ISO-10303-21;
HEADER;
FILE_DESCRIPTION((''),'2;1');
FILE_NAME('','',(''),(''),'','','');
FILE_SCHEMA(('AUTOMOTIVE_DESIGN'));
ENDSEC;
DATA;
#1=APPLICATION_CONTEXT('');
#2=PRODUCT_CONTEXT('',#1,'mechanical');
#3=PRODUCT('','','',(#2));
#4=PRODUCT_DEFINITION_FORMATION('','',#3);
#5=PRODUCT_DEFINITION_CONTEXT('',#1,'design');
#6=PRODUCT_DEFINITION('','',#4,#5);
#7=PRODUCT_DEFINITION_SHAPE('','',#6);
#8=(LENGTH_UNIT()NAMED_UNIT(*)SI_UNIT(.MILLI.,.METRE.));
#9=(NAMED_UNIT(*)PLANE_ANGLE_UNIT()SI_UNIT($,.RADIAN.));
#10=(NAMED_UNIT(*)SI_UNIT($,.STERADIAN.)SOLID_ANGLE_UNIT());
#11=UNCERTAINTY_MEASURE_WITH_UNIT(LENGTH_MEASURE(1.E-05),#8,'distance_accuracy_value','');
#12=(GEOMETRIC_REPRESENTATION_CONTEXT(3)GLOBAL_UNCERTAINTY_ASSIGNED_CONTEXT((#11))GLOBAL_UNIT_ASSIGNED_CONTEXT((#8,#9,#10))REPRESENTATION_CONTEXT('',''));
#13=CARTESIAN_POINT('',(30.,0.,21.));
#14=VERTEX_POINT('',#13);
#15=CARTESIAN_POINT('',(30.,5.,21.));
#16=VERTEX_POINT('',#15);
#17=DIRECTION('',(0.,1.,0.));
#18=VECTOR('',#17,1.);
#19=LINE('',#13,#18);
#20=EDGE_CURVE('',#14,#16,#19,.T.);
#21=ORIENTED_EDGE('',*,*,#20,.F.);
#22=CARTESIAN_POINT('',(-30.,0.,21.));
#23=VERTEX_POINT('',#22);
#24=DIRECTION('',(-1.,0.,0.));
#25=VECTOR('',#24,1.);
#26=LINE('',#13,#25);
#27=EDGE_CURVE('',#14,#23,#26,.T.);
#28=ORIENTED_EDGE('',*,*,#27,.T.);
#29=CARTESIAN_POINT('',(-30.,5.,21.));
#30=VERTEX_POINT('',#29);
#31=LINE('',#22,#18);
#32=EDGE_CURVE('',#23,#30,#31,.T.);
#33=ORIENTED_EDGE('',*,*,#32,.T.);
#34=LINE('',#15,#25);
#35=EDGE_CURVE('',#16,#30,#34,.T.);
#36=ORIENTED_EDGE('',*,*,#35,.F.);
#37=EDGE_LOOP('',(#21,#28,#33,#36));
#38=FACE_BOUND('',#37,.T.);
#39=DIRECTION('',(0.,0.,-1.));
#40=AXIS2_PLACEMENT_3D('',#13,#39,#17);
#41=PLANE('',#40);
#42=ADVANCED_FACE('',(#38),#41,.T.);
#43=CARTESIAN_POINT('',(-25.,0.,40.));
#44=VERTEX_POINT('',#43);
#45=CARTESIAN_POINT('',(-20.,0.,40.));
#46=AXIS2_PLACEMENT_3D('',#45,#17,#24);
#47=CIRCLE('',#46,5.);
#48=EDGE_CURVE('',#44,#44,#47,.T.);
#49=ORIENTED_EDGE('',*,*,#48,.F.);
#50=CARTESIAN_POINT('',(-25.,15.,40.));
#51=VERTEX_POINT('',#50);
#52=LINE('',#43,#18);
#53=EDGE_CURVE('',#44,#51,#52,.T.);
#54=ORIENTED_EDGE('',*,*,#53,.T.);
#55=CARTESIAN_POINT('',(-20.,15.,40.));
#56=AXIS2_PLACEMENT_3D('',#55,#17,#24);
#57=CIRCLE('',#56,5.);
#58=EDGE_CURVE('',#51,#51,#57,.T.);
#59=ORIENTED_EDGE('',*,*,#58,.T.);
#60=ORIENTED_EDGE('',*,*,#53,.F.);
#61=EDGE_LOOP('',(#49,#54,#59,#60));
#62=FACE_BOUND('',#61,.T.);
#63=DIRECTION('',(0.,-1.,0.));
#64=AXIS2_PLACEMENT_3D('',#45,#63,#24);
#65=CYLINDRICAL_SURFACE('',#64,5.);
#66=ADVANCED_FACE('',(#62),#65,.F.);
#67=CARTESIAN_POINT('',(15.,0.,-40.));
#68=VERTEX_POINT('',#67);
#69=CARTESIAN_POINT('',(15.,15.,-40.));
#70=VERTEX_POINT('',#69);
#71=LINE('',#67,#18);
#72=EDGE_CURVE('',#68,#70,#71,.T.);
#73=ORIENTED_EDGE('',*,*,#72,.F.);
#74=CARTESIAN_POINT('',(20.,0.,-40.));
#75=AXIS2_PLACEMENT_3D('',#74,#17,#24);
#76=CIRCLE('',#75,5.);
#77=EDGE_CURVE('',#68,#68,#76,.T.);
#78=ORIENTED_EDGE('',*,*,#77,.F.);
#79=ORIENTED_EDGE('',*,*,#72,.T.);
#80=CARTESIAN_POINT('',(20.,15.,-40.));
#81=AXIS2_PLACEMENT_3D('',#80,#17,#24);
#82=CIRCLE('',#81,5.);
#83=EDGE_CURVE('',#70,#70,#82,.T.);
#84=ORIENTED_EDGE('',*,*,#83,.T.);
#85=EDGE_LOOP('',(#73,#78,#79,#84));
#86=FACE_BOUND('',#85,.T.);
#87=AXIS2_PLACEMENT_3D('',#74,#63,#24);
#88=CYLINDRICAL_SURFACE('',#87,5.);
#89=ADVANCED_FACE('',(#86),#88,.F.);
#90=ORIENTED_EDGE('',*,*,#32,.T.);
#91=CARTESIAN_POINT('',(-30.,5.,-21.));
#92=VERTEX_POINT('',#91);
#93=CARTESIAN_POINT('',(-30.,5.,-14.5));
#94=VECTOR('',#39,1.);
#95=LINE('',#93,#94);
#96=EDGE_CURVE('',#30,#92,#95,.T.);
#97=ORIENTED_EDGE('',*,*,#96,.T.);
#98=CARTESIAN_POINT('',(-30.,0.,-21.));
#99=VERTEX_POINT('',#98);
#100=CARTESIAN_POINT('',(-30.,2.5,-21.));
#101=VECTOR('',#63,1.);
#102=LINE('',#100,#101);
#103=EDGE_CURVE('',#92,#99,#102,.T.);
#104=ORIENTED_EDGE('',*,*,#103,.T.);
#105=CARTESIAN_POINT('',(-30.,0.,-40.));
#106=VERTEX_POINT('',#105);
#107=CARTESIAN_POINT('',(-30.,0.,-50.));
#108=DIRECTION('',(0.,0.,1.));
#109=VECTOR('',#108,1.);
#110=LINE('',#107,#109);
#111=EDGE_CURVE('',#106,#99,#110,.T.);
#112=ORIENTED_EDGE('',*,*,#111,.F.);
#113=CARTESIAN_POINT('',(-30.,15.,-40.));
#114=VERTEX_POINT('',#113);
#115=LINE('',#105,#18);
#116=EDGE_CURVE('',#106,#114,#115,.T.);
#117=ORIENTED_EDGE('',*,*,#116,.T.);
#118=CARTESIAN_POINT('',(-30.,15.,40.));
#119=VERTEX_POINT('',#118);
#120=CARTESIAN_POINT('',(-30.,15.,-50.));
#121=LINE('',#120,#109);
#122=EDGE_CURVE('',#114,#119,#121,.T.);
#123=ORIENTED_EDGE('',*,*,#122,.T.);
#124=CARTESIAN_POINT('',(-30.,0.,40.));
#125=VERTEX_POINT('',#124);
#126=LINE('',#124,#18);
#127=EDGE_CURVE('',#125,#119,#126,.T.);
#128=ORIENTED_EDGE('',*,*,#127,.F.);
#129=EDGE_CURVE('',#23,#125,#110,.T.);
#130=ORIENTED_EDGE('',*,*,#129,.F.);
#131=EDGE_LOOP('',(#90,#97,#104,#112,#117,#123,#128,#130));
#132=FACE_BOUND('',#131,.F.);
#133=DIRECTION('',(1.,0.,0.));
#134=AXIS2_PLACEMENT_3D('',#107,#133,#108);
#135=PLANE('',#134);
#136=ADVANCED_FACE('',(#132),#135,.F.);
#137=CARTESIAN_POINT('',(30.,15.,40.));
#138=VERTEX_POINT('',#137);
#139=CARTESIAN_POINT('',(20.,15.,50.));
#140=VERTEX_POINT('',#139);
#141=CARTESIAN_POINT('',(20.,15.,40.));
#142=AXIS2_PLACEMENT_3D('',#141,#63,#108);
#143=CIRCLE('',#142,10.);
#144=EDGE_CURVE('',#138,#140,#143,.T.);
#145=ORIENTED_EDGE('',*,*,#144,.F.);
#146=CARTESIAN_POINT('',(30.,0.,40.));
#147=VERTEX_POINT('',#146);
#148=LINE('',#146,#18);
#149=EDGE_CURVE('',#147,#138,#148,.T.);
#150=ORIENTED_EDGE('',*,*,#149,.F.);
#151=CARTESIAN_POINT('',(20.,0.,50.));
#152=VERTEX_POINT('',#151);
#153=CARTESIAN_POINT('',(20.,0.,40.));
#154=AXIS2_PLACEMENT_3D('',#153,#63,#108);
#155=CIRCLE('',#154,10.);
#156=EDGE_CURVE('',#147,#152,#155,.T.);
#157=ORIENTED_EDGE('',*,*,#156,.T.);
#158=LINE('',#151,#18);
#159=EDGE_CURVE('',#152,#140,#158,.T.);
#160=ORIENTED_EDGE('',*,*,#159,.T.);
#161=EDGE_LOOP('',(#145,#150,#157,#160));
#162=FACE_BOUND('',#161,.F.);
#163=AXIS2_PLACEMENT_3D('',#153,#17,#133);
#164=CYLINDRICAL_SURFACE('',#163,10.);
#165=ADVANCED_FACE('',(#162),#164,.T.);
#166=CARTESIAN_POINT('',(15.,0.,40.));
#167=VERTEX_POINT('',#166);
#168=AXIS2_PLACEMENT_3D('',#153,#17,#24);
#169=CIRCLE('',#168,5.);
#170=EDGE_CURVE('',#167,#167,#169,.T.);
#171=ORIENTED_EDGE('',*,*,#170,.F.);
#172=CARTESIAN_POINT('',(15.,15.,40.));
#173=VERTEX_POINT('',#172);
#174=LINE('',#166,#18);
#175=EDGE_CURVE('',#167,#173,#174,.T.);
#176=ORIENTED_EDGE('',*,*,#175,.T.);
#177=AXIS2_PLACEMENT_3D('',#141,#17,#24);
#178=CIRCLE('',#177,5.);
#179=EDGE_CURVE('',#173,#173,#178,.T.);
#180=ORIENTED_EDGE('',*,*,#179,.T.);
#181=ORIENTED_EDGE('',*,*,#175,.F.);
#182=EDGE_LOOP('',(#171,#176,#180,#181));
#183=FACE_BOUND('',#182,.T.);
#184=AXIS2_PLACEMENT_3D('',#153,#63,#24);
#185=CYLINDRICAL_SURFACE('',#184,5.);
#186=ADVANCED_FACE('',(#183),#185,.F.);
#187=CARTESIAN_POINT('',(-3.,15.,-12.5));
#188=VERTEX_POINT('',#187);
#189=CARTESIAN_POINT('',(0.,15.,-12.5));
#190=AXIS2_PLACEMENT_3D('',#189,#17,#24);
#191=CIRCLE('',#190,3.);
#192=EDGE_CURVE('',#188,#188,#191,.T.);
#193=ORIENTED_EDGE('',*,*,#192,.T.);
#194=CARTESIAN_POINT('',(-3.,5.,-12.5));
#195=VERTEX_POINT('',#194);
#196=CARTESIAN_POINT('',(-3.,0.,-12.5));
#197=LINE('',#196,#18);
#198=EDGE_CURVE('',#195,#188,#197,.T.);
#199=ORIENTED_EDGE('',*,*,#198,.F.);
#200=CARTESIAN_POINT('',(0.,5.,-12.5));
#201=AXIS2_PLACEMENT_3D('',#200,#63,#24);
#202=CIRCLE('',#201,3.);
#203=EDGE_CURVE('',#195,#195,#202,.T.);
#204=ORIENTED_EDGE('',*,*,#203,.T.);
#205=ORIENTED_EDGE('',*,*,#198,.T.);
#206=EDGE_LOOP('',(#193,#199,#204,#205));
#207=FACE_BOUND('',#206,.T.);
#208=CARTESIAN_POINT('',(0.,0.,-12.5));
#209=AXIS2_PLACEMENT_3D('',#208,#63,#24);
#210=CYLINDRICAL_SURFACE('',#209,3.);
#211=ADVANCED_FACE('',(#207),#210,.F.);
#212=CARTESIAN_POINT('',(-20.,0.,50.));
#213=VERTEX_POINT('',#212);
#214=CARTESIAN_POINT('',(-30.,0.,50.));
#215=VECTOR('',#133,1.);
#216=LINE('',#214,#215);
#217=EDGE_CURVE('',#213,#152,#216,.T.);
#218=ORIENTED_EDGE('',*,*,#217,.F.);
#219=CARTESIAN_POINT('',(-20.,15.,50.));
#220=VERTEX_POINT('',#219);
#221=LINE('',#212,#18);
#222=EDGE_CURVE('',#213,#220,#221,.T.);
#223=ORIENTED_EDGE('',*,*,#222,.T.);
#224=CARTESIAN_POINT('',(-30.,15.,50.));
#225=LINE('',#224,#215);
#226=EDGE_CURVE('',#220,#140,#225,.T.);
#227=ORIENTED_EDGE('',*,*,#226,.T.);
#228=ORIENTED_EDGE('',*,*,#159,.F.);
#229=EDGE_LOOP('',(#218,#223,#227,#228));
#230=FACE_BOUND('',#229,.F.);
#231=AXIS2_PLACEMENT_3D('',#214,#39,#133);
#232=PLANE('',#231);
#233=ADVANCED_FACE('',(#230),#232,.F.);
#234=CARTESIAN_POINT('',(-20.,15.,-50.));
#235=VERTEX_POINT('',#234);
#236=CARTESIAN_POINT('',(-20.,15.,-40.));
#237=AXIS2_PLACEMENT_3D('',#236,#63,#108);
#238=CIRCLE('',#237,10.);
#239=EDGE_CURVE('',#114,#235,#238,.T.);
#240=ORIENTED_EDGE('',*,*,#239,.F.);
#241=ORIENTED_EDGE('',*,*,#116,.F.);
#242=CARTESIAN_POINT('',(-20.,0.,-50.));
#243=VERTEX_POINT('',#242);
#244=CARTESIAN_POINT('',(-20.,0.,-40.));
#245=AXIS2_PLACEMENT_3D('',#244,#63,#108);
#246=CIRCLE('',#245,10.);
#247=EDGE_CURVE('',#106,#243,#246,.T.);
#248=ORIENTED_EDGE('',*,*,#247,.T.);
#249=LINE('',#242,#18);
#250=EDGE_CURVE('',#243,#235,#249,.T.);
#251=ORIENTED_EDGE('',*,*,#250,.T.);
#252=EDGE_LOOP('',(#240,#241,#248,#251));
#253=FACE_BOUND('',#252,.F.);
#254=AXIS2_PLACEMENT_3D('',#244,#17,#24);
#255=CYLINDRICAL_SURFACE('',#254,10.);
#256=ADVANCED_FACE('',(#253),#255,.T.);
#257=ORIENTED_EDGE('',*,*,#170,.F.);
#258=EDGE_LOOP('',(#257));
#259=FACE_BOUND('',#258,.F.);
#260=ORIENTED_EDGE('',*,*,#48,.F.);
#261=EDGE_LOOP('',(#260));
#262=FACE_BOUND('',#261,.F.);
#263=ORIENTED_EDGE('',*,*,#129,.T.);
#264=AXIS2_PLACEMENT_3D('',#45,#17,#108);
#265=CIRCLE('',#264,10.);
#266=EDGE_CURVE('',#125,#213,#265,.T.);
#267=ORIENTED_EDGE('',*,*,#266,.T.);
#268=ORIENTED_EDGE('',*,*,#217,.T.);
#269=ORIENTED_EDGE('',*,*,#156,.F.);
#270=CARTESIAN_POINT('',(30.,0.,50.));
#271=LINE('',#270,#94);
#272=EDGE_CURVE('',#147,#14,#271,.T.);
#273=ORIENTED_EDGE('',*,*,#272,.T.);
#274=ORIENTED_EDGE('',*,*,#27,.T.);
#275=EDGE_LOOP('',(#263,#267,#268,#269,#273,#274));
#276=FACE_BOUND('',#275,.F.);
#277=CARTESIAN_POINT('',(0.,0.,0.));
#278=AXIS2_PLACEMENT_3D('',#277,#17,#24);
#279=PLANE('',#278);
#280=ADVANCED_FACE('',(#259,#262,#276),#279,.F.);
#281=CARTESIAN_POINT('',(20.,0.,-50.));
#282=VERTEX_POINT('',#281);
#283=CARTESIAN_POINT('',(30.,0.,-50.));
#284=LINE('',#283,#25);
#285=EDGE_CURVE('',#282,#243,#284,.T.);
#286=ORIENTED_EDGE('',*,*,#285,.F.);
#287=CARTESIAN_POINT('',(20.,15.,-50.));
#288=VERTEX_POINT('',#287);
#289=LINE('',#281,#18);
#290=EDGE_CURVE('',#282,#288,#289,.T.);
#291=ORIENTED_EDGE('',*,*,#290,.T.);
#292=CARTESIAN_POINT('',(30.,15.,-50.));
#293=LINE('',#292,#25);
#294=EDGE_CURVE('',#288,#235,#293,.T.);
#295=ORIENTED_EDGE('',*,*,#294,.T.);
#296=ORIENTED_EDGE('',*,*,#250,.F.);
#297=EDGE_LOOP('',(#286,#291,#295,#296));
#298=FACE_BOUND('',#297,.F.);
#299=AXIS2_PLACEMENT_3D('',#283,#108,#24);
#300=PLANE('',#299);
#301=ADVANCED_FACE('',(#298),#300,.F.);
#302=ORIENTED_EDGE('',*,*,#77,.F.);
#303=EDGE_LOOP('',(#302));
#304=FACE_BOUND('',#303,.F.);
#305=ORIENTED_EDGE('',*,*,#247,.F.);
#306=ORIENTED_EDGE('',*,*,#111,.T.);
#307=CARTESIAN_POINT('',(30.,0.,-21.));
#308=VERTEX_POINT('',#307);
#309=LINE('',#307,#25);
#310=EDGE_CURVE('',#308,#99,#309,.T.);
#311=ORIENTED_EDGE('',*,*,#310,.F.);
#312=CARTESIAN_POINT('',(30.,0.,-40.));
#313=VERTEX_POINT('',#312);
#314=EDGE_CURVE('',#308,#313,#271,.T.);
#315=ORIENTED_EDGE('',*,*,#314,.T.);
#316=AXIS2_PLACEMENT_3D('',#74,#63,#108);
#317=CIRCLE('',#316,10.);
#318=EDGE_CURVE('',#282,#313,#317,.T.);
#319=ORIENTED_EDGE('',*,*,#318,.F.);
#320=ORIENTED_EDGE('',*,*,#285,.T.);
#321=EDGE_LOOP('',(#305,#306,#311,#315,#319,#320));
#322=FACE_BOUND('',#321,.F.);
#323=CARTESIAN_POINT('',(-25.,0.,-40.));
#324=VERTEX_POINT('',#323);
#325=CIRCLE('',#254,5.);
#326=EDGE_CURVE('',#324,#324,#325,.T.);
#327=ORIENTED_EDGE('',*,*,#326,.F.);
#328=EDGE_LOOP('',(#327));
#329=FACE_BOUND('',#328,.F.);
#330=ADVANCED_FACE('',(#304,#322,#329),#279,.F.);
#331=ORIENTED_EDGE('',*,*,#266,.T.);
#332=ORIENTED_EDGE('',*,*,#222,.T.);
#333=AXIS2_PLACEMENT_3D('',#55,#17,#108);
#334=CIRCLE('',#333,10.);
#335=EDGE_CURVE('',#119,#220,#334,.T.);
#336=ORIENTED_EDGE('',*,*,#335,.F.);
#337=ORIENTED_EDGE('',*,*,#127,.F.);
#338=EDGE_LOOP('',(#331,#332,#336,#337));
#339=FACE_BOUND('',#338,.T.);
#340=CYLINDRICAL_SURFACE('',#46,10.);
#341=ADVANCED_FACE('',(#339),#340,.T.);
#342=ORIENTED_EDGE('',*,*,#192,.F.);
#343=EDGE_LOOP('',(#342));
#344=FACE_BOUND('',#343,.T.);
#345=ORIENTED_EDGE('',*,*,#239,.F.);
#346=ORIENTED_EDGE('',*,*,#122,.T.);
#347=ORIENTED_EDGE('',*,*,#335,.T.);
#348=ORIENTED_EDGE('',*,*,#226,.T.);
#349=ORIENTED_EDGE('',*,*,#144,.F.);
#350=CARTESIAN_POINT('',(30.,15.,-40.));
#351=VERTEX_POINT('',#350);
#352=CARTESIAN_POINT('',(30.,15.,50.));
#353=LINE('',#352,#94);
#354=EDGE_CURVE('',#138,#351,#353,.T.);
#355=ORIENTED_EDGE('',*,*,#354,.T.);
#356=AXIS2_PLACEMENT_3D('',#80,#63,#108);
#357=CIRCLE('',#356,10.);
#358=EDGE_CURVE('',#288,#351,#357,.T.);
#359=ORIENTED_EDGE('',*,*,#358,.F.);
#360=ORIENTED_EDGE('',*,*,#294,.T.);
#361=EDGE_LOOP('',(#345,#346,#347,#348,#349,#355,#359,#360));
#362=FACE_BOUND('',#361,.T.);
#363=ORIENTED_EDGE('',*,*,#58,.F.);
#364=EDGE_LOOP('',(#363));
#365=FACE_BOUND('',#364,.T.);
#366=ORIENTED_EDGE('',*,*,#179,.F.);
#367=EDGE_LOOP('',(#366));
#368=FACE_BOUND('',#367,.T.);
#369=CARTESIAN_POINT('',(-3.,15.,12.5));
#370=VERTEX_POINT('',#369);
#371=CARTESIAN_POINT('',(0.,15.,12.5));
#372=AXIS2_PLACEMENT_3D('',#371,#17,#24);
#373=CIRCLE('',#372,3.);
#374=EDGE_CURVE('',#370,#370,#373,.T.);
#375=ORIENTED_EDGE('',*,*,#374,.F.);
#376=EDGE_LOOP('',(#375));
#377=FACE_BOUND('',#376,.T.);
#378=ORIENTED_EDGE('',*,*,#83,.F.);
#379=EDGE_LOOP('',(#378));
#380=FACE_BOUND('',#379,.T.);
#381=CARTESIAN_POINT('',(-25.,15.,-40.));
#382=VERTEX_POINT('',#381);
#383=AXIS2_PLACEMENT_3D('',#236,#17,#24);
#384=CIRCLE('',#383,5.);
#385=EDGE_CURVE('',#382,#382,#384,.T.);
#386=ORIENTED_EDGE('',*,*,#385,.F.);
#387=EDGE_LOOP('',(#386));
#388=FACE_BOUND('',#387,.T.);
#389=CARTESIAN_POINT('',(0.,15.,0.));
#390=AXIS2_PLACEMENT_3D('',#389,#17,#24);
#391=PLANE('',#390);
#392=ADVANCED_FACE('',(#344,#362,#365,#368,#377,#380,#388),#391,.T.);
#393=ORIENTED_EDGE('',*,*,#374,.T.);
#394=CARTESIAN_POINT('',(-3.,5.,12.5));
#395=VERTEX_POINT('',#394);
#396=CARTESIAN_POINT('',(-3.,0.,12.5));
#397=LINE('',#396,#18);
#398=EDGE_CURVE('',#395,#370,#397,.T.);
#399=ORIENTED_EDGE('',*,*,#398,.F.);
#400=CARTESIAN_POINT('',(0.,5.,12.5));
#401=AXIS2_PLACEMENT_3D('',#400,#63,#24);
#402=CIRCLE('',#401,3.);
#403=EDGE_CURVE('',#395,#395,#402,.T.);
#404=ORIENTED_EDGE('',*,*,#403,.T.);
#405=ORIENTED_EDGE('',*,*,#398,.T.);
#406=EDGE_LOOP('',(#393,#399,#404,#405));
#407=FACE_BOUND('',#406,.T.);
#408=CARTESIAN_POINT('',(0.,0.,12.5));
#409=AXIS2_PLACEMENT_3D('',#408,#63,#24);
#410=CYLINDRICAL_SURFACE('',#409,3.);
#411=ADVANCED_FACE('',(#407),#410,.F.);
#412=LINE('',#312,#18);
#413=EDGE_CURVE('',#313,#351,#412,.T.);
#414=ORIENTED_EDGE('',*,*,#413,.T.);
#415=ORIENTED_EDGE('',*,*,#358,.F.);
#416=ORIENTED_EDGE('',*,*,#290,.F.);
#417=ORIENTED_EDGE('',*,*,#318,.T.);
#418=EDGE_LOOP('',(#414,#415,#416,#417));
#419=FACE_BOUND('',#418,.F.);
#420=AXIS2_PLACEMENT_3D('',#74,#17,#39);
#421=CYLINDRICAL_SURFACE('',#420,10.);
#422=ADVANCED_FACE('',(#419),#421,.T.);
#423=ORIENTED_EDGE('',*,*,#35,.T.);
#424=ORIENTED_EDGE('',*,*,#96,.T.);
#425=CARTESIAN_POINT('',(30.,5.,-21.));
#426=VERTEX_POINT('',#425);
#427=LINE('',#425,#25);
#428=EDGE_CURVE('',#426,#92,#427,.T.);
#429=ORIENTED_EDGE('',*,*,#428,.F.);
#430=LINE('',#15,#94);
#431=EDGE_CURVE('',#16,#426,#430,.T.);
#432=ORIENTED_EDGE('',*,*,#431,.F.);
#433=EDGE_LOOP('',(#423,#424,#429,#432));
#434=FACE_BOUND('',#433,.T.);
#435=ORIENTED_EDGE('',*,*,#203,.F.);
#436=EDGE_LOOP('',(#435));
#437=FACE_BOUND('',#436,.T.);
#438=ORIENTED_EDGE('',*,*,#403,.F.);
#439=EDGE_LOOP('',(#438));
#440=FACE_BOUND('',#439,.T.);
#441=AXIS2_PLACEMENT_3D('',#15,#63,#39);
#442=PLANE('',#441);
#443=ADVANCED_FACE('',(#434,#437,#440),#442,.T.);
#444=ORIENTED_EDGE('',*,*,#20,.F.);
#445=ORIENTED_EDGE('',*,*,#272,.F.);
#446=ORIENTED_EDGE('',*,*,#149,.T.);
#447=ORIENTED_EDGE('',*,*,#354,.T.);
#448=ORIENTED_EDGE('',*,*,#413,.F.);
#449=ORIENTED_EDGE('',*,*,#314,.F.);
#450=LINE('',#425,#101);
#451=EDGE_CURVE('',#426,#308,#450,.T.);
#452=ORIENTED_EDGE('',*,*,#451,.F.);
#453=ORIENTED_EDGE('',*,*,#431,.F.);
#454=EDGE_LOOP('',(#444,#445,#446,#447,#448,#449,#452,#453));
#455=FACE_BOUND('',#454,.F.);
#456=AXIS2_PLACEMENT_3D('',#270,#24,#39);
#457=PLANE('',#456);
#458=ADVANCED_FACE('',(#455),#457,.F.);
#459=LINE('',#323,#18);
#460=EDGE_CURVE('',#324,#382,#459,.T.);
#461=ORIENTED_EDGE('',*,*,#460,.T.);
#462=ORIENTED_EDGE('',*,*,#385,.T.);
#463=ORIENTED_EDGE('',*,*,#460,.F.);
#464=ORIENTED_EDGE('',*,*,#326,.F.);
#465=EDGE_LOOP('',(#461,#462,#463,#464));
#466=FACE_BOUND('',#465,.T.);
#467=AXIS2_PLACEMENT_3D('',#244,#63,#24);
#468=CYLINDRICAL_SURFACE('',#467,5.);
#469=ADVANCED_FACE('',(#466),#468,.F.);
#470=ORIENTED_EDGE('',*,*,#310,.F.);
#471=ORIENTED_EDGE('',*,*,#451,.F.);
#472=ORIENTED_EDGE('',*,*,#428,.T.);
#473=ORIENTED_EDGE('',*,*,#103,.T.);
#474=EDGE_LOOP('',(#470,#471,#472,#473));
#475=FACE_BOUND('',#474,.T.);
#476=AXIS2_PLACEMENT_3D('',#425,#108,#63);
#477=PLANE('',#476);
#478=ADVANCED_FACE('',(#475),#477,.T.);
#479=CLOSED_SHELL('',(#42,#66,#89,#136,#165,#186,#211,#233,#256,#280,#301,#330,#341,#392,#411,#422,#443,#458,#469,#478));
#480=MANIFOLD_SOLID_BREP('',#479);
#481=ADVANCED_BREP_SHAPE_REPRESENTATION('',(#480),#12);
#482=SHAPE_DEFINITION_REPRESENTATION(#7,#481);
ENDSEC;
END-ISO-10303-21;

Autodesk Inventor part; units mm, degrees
ref_plane "YZ Plane" through (0, 0, 0) normal (1, 0, 0) x (0, 1, 0)
ref_plane "XZ Plane" through (0, 0, 0) normal (0, 1, 0) x (-1, 0, 0)
ref_plane "XY Plane" through (0, 0, 0) normal (0, 0, 1) x (1, 0, 0)
sketch "Sketch1" plane through (0, 0, 0) normal (0, 1, 0) x (-1, 0, 0)
  line L0 (30, 50) -> (-30, 50)
  line L1 (-30, 50) -> (-30, -50)
  line L2 (-30, -50) -> (30, -50)
  line L3 (30, -50) -> (30, 50)
  line L4 (30, 0) -> (-30, 0) construction
  line L5 (0, 50) -> (0, -50) construction
  circle A0 centre (20, 40) radius 5
  circle A1 centre (-20, 40) radius 5
  circle A2 centre (20, -40) radius 5
  circle A3 centre (-20, -40) radius 5
  circle A4 centre (0, -12.5) radius 3
  circle A5 centre (0, 12.5) radius 3
  point P0 (0, 0)
  point P1 (0, 0)
  dimension "d0" = 60
  dimension "d1" = 100
  dimension "d2" = 10
  dimension "d3" = 40
  dimension "d4" = 80
  dimension "d14" = 6
  dimension "d15" = 25
extrude "Extrusion1" add sketch "Sketch1" along normal blind 15
fillet "Fillet1" radius 10 4 edges at (30, 7.5, 50) (30, 7.5, -50) (-30, 7.5, 50) (-30, 7.5, -50)
sketch "Sketch2" plane through (30, 0, 40) normal (1, 0, 0) x (0, 0, -1)
  line L0 (80, 15) -> (80, 0) construction
  line L1 (0, 15) -> (80, 15) construction
  line L2 (0, 0) -> (0, 15) construction
  line L3 (0, 0) -> (80, 0) construction
  line L4 (19, 5) -> (61, 5)
  line L5 (61, 5) -> (61, 0)
  line L6 (61, 0) -> (19, 0)
  line L7 (19, 0) -> (19, 5)
  line L8 (40, 0) -> (40, 15) construction
  line L9 (0, 15) -> (80, 15) construction
  point P0 (40, 5)
  dimension "d9" = 42
  dimension "d10" = 5
extrude "Extrusion2" cut sketch "Sketch2" against normal through all
properties part number "base_obj1"
